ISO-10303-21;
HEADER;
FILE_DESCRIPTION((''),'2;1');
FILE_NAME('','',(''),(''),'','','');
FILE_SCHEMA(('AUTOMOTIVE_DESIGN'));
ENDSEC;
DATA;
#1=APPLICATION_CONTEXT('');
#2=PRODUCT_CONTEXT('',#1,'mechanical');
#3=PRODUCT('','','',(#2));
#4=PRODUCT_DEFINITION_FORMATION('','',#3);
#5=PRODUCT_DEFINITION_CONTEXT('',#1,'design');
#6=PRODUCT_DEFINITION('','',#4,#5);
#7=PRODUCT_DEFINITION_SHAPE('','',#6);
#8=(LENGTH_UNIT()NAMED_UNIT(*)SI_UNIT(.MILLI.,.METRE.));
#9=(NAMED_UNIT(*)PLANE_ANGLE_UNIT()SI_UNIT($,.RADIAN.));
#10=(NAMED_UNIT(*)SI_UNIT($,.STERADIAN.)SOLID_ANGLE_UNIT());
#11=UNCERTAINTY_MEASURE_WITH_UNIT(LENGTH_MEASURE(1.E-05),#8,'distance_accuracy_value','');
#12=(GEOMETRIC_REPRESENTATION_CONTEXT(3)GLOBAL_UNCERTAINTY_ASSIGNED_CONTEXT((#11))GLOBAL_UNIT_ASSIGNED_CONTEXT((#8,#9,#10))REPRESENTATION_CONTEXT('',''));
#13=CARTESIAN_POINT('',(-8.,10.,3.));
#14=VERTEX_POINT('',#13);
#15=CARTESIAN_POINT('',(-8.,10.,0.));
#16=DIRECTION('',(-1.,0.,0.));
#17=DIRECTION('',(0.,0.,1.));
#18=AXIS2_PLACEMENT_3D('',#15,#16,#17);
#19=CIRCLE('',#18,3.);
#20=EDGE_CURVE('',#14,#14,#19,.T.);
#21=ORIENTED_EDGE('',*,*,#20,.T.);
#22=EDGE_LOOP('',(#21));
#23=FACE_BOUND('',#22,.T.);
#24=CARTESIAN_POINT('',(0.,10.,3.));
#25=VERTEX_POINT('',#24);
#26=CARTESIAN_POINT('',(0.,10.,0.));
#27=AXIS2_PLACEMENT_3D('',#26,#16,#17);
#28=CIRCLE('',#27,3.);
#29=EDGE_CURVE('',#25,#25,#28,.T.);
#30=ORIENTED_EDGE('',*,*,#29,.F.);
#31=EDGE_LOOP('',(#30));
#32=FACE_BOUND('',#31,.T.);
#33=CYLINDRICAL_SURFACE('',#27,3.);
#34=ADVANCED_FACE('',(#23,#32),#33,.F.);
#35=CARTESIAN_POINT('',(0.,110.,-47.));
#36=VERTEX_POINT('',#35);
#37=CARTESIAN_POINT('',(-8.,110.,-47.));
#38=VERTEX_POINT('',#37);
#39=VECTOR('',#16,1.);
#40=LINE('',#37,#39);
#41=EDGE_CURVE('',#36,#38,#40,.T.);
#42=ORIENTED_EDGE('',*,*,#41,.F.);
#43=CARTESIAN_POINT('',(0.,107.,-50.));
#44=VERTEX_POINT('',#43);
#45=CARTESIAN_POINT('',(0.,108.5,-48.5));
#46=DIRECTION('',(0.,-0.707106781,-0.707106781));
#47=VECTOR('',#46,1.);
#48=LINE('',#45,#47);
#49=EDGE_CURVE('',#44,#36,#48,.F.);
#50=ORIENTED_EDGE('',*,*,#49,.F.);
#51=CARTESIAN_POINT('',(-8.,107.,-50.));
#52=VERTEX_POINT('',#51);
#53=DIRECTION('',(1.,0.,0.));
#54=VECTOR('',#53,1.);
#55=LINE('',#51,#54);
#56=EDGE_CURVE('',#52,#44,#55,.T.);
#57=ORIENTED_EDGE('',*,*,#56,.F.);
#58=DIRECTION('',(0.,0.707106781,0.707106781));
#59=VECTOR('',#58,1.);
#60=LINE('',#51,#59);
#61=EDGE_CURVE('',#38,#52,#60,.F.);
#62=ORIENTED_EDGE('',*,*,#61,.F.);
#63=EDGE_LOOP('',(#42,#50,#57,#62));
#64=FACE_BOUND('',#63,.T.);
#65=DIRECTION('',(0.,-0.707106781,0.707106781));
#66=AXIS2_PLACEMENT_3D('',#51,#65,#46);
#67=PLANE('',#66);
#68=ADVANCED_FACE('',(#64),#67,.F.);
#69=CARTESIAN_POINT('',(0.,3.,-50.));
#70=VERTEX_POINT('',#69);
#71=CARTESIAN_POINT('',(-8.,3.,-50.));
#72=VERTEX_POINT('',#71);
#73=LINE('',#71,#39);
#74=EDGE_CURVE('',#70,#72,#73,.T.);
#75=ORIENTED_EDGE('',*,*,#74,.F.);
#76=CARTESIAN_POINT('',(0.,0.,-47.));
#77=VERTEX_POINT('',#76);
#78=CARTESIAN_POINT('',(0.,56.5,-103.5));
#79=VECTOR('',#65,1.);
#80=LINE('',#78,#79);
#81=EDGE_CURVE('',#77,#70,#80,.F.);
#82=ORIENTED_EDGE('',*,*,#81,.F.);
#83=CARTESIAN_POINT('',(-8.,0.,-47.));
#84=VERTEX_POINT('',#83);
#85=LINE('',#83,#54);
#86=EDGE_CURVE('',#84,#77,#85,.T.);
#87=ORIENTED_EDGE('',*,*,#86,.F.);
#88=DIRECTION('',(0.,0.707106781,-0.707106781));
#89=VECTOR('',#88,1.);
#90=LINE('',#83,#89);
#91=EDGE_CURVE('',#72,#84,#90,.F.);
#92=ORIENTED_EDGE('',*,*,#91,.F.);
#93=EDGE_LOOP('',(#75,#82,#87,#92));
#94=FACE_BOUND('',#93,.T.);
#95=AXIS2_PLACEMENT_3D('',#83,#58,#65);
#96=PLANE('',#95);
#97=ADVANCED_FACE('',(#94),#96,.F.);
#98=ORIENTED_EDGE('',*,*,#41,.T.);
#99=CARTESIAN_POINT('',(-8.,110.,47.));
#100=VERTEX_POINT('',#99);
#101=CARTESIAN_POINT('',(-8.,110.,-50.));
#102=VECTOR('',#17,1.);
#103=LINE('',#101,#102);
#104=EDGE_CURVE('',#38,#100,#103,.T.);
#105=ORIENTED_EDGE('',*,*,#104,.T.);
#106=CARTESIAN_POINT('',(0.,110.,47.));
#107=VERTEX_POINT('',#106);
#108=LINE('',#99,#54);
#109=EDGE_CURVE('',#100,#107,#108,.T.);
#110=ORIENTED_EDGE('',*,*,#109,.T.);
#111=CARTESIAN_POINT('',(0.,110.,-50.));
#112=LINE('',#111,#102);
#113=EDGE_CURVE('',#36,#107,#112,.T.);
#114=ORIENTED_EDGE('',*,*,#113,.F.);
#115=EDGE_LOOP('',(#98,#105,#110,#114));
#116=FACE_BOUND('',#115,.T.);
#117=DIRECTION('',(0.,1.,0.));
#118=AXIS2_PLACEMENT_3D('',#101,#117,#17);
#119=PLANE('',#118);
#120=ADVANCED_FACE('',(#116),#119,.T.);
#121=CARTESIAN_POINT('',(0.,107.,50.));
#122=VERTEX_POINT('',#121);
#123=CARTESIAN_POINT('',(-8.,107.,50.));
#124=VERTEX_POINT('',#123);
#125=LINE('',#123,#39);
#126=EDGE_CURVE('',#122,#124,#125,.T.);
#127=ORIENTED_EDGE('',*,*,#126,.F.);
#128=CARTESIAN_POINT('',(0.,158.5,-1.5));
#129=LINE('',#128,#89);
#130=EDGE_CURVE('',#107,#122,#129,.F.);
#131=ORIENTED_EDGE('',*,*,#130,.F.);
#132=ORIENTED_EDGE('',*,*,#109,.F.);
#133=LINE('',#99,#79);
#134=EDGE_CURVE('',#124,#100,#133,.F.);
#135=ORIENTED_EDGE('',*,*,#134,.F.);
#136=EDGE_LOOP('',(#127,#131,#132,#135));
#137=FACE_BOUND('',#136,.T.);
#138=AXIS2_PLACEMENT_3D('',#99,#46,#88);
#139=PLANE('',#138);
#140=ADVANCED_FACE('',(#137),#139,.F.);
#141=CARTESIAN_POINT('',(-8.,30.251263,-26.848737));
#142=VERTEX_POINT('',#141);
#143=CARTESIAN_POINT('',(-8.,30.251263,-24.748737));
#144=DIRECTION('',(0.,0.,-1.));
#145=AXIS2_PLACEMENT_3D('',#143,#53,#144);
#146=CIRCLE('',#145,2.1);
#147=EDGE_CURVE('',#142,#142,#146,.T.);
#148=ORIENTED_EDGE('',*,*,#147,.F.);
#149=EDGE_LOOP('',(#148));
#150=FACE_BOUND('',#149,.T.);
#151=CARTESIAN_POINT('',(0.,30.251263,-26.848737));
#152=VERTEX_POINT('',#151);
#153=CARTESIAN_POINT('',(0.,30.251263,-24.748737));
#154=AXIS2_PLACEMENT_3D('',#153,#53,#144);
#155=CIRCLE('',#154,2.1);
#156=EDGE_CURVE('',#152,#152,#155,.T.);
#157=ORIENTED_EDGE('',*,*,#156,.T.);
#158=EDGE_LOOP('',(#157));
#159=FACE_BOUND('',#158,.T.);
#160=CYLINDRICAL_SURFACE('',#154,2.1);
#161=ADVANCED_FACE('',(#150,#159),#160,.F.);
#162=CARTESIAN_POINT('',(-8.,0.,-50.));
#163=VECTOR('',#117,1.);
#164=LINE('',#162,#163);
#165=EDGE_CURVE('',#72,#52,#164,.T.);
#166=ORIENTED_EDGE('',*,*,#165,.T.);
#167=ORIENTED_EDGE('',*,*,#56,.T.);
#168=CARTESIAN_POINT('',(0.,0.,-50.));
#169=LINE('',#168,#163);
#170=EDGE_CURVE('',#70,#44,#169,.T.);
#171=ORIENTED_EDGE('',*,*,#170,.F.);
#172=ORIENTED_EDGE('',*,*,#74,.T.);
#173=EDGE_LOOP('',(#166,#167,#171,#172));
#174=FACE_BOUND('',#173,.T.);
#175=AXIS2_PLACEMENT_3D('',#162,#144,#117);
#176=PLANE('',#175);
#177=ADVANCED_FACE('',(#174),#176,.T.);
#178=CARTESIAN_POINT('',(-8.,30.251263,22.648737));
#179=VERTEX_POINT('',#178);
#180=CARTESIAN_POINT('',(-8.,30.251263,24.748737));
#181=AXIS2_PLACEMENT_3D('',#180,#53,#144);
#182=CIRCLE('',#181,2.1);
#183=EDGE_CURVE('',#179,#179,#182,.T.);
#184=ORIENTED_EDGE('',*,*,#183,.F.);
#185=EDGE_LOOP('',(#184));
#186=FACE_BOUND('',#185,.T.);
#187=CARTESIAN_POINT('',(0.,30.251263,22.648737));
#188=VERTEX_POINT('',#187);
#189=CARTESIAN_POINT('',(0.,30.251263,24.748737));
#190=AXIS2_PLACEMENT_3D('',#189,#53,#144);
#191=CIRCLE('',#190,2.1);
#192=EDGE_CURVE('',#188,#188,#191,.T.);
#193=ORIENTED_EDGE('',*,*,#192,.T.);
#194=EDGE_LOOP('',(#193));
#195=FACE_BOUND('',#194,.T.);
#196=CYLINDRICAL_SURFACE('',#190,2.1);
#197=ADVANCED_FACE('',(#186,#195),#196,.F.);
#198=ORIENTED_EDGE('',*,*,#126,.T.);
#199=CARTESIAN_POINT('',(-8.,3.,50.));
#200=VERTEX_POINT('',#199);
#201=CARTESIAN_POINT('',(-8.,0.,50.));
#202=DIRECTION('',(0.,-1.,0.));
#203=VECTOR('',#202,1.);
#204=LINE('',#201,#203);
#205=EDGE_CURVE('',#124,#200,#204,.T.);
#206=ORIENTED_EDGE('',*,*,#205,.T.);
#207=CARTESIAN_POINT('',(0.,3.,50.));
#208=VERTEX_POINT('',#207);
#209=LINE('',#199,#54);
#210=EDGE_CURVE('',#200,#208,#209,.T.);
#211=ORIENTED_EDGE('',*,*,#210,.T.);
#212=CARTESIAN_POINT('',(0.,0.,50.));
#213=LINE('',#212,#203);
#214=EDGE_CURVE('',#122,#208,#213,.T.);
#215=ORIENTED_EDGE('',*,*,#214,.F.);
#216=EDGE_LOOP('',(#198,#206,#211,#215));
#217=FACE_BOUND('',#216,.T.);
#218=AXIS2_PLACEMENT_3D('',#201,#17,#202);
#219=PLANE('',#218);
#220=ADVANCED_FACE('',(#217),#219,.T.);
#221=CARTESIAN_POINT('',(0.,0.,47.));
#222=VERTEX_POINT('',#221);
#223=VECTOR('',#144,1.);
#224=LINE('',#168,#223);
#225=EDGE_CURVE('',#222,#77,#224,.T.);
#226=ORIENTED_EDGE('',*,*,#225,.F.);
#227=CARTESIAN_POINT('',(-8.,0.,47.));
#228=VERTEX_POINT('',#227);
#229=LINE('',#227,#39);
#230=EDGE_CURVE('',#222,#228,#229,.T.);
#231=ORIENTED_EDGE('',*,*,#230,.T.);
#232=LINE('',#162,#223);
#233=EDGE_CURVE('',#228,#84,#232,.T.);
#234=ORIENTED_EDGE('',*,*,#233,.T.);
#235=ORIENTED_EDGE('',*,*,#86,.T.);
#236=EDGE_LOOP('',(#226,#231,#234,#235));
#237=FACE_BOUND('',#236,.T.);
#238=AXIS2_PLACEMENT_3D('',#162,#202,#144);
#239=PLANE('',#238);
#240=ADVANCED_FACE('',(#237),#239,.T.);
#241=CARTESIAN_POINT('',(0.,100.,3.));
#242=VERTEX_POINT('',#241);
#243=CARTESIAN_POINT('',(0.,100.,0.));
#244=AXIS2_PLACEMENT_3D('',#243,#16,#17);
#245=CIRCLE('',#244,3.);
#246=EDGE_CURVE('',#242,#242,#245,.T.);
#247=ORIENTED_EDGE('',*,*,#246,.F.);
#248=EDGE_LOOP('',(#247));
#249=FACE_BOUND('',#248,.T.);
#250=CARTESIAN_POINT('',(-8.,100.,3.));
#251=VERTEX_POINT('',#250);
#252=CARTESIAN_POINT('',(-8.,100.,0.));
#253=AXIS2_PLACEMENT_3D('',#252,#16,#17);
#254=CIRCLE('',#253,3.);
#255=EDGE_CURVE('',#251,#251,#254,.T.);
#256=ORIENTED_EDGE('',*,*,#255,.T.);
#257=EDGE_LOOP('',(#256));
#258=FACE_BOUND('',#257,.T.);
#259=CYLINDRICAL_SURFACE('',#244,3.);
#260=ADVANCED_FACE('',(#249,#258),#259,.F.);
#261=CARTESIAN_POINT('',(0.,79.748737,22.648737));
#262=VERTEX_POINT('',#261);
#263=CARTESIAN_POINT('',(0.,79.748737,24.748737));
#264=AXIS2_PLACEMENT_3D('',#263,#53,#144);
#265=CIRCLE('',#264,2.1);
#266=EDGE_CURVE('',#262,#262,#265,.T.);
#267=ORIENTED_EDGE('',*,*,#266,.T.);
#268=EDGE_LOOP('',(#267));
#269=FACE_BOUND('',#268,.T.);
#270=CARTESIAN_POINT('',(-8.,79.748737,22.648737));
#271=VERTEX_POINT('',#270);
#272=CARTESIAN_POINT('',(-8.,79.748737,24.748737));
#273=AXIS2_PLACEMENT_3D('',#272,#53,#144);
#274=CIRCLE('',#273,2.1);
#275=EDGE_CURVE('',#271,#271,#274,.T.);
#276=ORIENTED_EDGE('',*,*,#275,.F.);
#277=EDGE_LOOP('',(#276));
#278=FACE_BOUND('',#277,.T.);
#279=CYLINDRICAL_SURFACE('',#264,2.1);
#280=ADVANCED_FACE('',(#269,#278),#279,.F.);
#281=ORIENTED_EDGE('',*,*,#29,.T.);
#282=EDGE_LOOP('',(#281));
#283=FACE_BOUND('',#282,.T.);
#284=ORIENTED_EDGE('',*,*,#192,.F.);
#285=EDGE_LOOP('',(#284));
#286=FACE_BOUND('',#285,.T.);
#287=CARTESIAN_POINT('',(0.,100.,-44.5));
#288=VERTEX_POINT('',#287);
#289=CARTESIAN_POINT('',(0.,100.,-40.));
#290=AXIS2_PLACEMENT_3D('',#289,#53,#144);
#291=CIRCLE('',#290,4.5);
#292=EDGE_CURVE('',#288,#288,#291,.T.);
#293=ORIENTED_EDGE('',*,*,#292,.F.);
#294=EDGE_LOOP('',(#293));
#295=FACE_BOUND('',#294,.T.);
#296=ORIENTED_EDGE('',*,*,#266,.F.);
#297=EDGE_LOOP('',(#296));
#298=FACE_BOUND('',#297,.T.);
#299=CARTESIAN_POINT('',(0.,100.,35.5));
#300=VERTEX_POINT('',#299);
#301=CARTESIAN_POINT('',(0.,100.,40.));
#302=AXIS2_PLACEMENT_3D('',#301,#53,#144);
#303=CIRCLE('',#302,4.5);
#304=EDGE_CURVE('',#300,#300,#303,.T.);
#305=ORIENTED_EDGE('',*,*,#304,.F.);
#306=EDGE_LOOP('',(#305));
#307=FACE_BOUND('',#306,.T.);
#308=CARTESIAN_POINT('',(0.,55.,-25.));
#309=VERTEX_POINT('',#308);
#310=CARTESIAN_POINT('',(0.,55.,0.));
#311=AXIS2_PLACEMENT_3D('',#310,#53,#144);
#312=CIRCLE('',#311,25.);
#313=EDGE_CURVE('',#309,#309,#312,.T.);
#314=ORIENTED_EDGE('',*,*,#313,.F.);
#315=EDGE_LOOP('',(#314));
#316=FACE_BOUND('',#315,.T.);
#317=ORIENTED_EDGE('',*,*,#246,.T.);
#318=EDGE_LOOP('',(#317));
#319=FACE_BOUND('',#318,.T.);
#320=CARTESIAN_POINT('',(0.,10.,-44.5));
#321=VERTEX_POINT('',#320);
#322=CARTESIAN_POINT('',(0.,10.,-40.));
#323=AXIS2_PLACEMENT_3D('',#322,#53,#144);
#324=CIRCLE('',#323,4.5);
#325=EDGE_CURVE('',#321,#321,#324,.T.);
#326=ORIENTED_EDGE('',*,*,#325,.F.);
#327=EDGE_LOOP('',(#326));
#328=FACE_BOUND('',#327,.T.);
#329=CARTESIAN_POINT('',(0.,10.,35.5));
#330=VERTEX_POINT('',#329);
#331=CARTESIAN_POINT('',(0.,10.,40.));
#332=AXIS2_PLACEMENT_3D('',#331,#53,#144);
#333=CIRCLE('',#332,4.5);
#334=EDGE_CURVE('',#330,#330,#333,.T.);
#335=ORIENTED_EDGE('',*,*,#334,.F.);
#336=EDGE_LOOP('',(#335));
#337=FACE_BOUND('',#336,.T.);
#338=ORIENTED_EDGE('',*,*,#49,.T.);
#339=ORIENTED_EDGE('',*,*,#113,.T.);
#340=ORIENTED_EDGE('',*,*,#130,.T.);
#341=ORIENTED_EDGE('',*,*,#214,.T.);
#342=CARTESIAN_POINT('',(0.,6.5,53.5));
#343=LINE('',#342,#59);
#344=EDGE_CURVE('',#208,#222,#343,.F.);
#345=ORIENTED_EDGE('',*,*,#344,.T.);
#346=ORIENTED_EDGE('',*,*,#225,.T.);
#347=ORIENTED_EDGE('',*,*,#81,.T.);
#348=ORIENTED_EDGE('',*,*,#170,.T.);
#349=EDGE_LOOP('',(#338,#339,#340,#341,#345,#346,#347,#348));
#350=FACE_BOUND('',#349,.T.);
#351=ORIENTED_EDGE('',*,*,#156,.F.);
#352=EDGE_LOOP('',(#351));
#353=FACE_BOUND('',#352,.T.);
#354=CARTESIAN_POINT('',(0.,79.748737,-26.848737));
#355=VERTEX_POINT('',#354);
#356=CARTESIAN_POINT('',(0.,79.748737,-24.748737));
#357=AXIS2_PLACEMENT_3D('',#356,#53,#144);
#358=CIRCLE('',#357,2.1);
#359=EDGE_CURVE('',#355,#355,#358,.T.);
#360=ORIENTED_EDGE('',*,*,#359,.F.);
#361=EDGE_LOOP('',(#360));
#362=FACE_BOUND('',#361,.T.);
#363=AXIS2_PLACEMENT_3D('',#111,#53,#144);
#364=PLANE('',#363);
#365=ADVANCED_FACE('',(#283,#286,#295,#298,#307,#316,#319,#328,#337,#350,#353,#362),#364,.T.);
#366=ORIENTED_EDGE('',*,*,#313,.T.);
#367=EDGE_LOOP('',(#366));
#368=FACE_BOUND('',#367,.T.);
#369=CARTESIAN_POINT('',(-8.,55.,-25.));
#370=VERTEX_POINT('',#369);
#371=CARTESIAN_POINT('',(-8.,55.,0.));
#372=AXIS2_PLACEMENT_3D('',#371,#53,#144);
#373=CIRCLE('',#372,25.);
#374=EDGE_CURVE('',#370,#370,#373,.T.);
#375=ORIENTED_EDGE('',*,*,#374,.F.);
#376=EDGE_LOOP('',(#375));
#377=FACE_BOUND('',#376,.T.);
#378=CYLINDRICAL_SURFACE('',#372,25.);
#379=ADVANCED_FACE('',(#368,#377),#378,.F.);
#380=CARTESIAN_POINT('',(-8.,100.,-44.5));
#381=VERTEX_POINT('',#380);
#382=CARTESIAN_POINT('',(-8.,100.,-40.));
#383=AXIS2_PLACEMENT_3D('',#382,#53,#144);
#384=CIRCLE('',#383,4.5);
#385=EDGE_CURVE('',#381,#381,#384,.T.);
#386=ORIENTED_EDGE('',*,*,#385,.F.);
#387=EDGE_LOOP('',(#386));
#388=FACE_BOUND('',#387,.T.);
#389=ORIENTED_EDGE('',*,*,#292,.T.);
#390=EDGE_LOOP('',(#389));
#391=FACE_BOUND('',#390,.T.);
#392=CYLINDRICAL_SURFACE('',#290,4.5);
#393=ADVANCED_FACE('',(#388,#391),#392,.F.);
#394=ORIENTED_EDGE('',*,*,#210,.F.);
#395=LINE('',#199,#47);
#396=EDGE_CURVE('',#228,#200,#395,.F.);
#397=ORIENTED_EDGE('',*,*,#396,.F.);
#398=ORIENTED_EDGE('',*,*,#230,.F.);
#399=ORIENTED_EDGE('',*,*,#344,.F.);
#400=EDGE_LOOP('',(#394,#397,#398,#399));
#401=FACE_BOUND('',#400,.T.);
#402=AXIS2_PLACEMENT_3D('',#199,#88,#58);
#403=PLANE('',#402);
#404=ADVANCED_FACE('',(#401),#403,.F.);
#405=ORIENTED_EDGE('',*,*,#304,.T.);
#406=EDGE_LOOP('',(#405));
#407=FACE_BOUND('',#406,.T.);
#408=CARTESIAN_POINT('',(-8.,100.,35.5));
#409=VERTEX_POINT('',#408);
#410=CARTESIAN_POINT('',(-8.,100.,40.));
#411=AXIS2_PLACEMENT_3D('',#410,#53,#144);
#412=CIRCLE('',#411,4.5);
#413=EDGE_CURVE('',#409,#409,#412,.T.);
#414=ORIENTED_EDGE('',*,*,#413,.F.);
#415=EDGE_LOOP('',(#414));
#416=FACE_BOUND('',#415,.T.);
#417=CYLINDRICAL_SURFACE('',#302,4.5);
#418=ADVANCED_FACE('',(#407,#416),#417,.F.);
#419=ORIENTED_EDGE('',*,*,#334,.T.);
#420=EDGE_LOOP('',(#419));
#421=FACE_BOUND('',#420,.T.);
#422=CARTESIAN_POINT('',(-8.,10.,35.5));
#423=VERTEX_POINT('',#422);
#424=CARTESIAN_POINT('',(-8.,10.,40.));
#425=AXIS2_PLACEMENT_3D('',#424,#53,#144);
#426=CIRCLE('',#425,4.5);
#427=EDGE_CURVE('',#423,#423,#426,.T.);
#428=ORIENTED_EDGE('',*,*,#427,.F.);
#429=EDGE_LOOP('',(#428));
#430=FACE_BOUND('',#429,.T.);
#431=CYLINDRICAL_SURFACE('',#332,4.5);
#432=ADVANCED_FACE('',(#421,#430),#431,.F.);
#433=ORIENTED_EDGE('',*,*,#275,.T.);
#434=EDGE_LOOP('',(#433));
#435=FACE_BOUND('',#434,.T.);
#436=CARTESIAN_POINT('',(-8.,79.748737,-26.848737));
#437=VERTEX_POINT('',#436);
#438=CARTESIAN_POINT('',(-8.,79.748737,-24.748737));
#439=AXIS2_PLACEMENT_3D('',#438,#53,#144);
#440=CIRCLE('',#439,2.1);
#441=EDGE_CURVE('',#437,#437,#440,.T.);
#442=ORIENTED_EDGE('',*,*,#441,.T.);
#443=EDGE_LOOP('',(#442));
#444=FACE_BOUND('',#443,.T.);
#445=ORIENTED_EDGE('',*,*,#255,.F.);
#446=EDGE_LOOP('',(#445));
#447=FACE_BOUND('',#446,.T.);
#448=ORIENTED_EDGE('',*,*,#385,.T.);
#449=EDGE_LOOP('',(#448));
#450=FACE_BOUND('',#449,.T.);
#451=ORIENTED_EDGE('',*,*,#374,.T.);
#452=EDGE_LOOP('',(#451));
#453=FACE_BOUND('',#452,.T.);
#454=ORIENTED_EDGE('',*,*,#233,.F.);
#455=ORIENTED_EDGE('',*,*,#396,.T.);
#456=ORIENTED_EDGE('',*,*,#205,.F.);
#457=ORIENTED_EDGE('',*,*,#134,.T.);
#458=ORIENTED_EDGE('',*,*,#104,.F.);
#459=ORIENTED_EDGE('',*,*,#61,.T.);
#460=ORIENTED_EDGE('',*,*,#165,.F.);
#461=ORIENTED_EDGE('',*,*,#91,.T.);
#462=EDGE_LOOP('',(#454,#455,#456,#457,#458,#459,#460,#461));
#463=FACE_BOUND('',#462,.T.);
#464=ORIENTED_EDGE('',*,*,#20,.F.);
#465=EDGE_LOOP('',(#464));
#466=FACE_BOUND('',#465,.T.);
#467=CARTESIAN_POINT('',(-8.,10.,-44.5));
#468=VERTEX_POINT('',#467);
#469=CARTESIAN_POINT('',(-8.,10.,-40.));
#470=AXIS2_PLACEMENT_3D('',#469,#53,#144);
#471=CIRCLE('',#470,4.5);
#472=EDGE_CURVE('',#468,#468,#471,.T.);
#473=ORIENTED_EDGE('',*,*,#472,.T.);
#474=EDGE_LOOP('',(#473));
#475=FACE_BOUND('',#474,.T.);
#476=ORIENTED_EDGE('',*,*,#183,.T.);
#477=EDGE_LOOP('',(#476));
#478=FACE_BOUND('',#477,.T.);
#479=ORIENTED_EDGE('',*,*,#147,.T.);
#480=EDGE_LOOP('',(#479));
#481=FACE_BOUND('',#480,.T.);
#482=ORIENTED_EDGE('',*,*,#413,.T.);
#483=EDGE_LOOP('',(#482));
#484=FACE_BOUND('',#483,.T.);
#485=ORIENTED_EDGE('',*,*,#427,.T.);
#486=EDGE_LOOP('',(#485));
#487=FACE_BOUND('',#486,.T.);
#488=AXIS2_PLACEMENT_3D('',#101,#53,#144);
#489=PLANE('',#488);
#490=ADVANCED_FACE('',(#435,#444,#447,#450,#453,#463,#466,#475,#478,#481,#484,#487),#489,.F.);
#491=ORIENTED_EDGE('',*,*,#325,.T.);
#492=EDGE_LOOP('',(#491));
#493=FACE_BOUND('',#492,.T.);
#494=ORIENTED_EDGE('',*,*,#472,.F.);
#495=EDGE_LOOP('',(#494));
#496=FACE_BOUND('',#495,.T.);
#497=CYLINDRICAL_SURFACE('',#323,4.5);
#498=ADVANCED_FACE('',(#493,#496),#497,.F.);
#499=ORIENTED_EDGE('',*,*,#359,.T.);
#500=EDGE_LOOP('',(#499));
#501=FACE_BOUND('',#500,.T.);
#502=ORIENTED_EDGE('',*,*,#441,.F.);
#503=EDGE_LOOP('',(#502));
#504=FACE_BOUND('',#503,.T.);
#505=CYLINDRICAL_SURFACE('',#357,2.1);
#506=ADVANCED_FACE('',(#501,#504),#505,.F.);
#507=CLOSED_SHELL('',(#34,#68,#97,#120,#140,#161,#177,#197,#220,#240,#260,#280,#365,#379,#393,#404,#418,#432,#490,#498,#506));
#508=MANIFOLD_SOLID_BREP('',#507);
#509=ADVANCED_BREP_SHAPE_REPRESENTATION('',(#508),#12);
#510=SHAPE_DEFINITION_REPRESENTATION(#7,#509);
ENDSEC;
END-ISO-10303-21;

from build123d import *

# Parameters (mm, degrees)
SKETCH2_W                = 100
SKETCH2_H                = 110
BOSS_EXTRUDE1_DEPTH      = 8
SKETCH3_R                = 25
CUT_EXTRUDE1_DEPTH       = 9
SKETCH8_R                = 3
CUT_EXTRUDE2_DEPTH       = 9
F_9_0_9_DIAMETER_HOLE1_D = 9
M5X0_8_TAPPED_HOLE1_D    = 4.2
CHAMFER1_SIZE            = 3


with BuildPart() as part:
    # Sketch2 → Boss-Extrude1 (new body)
    with BuildSketch(Plane(origin=(0, 0, 0), x_dir=(0, 0, -1), z_dir=(1, 0, 0))):
        with Locations((0, 55)):
            Rectangle(SKETCH2_W, SKETCH2_H)
    extrude(amount=-BOSS_EXTRUDE1_DEPTH)

    # Sketch3 → Cut-Extrude1 (cut, through all)
    with BuildSketch(Plane(origin=(0, 0, 0), x_dir=(0, 0, -1), z_dir=(1, 0, 0))):
        with Locations((0, 55)):
            Circle(SKETCH3_R)
    extrude(amount=-CUT_EXTRUDE1_DEPTH, mode=Mode.SUBTRACT)

    # Sketch8 → Cut-Extrude2 (cut, through all)
    with BuildSketch(Plane.ZY.offset(8)):
        with Locations((0, 10)):
            Circle(SKETCH8_R)
        with Locations((0, 100)):
            Circle(SKETCH8_R)
    extrude(amount=-CUT_EXTRUDE2_DEPTH, mode=Mode.SUBTRACT)

    # Ø9.0 (9) Diameter Hole1 (through all)
    with Locations(Plane(origin=(0, 0, 0), x_dir=(0, 0, -1), z_dir=(1, 0, 0))):
        with Locations((-40, 100), (-40, 10), (40, 10), (40, 100)):
            Hole(F_9_0_9_DIAMETER_HOLE1_D / 2)

    # M5x0.8 Tapped Hole1 (through all)
    with Locations(Plane(origin=(0, 0, 0), x_dir=(0, 0, -1), z_dir=(1, 0, 0))):
        with Locations((24.748737342, 79.748737342), (-24.748737342, 79.748737342), (-24.748737342, 30.251262658), (24.748737342, 30.251262658)):
            Hole(M5X0_8_TAPPED_HOLE1_D / 2)

    # Chamfer1
    chamfer1_edges = [part.edges().sort_by_distance(p)[0] for p in [
        (-4, 0, -50),
        (-4, 0, 50),
        (-4, 110, 50),
        (-4, 110, -50),
    ]]
    chamfer(chamfer1_edges, length=CHAMFER1_SIZE)


solid = part.part
